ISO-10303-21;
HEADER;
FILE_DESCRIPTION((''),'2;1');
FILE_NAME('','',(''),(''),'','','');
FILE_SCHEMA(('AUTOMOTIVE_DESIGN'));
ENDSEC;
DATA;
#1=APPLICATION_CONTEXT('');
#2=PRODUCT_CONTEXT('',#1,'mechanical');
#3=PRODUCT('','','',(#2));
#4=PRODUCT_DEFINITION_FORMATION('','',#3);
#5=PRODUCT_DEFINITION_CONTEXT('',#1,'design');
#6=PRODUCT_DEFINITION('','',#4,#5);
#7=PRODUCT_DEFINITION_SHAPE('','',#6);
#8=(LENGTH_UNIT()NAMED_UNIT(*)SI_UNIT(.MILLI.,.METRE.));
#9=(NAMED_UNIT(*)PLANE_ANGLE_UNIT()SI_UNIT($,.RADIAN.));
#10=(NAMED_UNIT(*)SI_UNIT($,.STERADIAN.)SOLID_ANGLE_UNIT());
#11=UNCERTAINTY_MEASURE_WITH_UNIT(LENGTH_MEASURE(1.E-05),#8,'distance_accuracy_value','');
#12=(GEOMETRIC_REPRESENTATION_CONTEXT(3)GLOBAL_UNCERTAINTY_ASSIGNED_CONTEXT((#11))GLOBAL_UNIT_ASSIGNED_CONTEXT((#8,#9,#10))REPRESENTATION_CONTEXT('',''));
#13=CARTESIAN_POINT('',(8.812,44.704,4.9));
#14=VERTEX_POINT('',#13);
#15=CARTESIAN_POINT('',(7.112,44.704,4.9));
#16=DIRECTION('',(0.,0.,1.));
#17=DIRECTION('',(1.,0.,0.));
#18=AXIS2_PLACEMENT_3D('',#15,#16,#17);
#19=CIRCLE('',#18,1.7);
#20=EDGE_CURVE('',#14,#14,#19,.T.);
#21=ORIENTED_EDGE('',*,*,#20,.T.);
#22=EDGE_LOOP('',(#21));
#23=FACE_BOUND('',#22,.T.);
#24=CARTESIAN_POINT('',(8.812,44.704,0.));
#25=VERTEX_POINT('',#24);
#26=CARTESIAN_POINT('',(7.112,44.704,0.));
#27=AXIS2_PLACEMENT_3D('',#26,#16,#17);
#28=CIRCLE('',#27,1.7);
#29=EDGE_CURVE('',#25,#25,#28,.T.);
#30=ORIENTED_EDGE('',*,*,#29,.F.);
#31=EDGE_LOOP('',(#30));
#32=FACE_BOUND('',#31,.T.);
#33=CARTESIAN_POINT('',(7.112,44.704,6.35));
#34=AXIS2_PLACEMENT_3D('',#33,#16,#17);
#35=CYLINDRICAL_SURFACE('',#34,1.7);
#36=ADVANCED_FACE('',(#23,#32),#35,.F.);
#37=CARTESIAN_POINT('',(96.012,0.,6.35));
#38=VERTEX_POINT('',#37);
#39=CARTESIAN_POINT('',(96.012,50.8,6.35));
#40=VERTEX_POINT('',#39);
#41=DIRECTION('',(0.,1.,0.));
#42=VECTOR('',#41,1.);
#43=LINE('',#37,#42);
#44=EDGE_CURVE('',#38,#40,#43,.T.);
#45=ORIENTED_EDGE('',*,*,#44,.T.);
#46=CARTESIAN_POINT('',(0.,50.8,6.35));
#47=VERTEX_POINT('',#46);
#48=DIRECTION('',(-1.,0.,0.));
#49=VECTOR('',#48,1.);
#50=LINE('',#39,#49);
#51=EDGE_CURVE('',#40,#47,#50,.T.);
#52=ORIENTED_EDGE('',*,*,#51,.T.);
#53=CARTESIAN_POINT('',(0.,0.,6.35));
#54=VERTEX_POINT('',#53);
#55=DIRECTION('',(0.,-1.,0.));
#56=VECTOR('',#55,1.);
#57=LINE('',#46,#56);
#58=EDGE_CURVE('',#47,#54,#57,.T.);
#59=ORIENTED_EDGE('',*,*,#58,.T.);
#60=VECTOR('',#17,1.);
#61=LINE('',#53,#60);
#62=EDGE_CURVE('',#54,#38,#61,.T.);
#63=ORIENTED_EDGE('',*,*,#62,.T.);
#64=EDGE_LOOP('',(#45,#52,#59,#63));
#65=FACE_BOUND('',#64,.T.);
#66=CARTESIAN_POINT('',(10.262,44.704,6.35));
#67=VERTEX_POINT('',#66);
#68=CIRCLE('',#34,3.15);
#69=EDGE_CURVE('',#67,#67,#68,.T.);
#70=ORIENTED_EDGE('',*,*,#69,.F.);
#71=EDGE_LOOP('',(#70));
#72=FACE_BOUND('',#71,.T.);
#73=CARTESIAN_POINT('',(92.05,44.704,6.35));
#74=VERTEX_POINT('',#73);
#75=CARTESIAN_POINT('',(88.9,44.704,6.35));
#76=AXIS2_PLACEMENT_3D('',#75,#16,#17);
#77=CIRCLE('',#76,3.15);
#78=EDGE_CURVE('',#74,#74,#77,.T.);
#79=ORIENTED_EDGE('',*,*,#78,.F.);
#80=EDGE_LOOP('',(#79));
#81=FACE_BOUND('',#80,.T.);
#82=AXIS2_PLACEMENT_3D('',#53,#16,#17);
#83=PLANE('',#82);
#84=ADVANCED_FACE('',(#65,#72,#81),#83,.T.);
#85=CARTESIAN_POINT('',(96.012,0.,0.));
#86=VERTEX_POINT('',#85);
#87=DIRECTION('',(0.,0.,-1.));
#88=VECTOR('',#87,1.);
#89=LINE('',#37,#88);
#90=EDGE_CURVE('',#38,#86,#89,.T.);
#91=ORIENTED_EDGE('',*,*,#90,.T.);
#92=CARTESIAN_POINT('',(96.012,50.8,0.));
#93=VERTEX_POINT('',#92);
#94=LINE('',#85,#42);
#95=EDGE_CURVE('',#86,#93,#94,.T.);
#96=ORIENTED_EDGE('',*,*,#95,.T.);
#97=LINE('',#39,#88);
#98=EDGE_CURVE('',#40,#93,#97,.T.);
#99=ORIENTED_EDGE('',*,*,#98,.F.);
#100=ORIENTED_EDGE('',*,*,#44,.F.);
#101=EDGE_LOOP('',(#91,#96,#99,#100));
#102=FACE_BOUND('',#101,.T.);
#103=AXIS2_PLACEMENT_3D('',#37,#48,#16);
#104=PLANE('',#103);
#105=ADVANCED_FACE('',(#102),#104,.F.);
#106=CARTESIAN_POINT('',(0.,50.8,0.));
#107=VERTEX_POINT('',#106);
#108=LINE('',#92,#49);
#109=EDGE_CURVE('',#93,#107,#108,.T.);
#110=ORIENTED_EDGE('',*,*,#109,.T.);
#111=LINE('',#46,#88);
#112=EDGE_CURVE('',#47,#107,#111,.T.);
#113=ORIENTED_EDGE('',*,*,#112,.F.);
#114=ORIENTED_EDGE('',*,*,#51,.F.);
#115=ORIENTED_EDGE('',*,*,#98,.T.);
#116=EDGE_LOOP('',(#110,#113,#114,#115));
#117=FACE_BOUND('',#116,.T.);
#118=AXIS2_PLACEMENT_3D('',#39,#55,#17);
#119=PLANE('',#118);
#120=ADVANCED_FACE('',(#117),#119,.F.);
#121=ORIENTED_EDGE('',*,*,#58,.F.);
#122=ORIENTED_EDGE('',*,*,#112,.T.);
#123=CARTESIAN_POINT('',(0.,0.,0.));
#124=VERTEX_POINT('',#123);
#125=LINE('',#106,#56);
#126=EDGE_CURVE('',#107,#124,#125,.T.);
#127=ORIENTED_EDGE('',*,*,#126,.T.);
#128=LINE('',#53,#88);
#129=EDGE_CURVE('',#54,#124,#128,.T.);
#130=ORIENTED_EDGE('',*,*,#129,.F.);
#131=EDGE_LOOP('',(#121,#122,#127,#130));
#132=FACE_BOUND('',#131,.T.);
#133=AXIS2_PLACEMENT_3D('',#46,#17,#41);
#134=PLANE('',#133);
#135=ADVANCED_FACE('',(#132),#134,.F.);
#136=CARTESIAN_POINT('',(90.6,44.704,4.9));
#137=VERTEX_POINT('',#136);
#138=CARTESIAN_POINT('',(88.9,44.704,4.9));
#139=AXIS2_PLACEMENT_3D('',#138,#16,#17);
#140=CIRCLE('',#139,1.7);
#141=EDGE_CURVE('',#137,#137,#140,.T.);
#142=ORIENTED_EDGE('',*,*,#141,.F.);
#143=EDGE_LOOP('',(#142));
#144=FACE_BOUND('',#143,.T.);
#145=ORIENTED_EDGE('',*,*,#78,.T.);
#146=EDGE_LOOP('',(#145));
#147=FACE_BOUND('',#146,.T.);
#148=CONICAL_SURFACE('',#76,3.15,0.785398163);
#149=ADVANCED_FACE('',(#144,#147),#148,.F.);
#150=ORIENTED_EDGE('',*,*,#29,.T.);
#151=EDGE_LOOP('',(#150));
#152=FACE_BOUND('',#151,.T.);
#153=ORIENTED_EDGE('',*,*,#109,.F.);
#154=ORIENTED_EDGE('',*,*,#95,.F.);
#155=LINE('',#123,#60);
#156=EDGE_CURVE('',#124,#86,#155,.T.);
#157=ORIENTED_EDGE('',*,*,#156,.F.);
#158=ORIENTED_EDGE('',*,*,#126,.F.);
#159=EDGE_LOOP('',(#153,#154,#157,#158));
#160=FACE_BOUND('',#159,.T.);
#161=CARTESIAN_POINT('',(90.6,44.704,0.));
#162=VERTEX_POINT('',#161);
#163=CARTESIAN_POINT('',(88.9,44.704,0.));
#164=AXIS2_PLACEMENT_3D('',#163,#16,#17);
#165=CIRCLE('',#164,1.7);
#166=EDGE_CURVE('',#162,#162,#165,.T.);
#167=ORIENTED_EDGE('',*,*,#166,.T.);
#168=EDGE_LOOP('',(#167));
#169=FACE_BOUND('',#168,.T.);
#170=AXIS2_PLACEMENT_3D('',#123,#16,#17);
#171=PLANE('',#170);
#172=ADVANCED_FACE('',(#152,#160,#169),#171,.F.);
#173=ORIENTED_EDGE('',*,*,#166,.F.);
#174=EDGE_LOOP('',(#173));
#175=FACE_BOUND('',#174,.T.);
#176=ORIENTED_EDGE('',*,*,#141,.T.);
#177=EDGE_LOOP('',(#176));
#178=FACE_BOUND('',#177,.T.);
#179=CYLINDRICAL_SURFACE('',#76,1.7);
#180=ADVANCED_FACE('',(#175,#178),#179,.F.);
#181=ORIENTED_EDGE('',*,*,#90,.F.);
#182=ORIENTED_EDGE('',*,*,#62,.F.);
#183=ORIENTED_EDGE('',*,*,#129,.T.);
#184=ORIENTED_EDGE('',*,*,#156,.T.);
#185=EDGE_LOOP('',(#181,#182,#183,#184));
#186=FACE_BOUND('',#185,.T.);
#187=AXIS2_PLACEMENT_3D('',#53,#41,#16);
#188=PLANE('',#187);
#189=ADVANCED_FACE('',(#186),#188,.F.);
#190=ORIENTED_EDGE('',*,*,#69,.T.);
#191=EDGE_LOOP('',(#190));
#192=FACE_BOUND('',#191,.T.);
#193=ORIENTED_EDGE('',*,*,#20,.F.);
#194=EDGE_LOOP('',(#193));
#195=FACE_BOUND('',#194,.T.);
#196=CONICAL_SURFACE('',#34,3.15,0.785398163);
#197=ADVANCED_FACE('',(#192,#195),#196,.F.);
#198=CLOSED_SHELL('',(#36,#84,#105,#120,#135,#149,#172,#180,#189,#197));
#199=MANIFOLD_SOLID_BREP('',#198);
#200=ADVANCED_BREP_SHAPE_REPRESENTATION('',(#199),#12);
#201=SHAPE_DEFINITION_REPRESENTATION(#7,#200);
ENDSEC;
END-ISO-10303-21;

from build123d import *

# Parameters (mm, degrees)
SKETCH1_W                                       = 96.012
SKETCH1_H                                       = 50.8
BOSS_EXTRUDE1_DEPTH                             = 6.35
CSK_FOR_M3_FLAT_HEAD_MACHINE_SCREW2_D           = 3.4
CSK_FOR_M3_FLAT_HEAD_MACHINE_SCREW2_CSINK_D     = 6.3
CSK_FOR_M3_FLAT_HEAD_MACHINE_SCREW2_CSINK_ANGLE = 90


with BuildPart() as part:
    # Sketch1 → Boss-Extrude1 (new body)
    with BuildSketch(Plane.XY):
        with Locations((48.006, 25.4)):
            Rectangle(SKETCH1_W, SKETCH1_H)
    extrude(amount=BOSS_EXTRUDE1_DEPTH)

    # CSK for M3 Flat Head Machine Screw2 (through all)
    with Locations(Plane.XY.offset(6.35)):
        with Locations((7.112, 44.704), (88.9, 44.704)):
            CounterSinkHole(CSK_FOR_M3_FLAT_HEAD_MACHINE_SCREW2_D / 2, CSK_FOR_M3_FLAT_HEAD_MACHINE_SCREW2_CSINK_D / 2, counter_sink_angle=CSK_FOR_M3_FLAT_HEAD_MACHINE_SCREW2_CSINK_ANGLE)


solid = part.part
